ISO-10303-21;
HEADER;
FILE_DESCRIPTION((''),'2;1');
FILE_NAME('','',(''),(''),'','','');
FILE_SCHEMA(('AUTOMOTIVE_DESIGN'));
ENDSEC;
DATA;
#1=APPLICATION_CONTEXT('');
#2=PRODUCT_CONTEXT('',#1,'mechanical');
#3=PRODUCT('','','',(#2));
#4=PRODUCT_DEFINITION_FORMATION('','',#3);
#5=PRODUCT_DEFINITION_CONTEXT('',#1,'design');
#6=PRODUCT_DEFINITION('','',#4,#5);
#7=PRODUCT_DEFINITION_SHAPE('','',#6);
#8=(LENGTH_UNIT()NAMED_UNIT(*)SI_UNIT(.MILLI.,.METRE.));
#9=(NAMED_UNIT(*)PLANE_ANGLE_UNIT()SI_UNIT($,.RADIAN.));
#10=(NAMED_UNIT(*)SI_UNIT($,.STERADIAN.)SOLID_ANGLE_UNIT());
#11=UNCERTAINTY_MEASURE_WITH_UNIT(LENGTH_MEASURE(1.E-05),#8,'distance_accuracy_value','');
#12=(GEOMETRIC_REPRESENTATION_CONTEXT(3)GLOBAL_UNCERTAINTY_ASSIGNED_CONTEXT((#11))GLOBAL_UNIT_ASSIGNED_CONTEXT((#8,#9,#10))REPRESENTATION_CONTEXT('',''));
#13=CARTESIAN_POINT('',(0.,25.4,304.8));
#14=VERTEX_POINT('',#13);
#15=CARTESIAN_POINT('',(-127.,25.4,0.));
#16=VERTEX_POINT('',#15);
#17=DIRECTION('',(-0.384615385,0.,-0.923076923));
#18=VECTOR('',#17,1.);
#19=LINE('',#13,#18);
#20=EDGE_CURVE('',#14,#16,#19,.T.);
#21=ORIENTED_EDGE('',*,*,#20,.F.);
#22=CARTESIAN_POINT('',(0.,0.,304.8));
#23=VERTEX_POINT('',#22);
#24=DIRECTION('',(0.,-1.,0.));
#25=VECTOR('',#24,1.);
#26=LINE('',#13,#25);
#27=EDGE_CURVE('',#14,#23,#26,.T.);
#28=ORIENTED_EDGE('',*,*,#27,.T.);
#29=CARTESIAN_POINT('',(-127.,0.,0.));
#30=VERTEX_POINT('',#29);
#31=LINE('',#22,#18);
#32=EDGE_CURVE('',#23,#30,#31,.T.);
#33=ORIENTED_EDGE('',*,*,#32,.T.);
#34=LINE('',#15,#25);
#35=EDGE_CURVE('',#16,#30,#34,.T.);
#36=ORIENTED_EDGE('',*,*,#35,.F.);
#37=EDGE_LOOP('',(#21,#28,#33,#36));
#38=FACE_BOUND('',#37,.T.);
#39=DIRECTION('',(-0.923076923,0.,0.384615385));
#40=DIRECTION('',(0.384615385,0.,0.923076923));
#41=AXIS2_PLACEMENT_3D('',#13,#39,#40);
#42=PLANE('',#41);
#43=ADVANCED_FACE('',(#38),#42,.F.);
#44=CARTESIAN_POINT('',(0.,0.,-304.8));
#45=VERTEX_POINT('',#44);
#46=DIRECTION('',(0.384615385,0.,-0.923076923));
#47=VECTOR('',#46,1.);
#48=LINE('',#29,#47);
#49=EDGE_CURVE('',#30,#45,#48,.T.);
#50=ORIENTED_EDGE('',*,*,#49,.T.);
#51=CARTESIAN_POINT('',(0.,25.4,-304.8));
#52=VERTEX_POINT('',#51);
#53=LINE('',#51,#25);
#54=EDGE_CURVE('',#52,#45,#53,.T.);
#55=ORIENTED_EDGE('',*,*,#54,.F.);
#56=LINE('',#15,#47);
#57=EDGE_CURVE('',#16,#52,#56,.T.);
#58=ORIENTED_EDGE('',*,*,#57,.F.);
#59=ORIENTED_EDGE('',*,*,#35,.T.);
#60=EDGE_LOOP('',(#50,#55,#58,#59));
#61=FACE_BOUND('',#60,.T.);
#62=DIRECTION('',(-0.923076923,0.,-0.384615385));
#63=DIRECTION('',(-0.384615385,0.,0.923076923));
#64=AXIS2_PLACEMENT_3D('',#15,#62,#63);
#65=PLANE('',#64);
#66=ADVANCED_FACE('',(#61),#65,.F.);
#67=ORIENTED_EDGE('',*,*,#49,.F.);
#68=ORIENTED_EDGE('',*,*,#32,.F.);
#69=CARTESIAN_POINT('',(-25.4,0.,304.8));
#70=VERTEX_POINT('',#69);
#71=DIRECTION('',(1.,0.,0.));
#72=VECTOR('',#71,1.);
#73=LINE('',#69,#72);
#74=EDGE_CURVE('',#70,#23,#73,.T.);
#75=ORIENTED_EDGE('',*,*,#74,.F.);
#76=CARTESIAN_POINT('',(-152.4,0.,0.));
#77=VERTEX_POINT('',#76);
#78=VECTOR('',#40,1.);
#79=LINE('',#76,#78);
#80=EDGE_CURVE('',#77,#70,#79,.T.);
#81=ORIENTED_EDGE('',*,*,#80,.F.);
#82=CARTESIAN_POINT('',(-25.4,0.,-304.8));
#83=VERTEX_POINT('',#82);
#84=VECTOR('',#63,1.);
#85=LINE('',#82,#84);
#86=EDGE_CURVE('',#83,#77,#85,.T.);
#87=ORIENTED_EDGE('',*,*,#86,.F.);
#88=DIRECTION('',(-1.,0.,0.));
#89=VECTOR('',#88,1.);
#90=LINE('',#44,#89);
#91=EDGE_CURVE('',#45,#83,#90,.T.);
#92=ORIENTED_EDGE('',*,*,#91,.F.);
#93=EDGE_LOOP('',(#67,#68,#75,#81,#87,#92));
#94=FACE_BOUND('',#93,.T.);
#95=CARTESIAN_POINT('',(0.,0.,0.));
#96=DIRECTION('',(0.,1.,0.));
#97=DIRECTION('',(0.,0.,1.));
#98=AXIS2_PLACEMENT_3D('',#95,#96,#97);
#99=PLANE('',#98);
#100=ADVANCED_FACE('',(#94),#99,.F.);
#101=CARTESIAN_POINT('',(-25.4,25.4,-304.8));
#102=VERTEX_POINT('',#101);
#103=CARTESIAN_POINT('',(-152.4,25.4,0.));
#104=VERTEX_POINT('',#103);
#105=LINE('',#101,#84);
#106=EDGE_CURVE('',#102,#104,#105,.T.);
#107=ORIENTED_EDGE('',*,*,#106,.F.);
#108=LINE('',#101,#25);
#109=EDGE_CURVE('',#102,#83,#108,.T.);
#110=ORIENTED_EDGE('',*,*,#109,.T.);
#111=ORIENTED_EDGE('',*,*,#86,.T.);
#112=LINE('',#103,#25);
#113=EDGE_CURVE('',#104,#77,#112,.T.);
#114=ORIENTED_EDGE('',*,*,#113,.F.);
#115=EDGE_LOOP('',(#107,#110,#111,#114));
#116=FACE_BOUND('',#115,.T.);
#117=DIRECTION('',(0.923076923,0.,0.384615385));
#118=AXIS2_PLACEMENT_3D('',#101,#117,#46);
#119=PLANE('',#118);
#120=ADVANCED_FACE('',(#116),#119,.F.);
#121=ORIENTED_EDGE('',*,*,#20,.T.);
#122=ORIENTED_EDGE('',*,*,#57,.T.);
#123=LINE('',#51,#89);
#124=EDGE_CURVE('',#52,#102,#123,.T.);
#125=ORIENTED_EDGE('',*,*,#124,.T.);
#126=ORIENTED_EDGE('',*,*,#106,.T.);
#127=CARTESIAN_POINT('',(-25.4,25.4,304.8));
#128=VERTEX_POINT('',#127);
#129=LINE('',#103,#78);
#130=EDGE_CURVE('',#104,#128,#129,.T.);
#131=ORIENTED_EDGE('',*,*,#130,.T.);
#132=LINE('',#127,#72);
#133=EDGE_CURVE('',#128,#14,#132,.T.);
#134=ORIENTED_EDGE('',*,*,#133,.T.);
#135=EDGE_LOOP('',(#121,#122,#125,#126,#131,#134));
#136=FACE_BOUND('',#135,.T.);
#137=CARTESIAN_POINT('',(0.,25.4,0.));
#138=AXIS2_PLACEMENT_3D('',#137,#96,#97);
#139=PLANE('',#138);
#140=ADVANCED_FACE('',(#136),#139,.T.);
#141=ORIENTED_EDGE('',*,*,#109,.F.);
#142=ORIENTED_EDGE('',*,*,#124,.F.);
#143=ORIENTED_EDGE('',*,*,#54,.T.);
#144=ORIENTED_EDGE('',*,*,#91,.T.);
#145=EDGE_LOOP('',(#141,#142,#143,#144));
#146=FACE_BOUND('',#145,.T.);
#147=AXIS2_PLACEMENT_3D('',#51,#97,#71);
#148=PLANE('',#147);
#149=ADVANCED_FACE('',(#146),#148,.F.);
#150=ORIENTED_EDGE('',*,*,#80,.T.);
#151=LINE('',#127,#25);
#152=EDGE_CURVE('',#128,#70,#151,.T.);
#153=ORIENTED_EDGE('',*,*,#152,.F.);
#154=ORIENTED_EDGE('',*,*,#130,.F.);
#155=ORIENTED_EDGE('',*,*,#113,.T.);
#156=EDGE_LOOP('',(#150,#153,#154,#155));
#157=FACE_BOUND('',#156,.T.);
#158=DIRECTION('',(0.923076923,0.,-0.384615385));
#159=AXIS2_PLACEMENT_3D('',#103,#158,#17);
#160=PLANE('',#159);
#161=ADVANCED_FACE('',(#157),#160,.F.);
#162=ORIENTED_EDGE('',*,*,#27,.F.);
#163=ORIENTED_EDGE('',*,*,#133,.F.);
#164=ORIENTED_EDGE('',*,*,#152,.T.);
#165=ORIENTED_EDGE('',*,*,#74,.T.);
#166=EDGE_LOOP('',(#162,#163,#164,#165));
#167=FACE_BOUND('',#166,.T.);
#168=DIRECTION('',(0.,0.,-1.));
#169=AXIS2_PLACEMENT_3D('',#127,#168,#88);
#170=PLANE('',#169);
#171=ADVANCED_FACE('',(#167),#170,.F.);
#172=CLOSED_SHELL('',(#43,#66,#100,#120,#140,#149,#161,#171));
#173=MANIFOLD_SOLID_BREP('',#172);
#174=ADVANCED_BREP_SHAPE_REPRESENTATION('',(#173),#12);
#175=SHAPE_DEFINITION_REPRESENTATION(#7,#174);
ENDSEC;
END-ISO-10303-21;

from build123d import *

# Parameters (mm, degrees)
BOSS_EXTRUDE1_DEPTH = 25.4


with BuildPart() as part:
    # Sketch1 → Boss-Extrude1 (new body)
    with BuildSketch(Plane(origin=(0, 0, 0), x_dir=(1, 0, 0), z_dir=(0, 1, 0))):
        Polygon((0, 304.8), (-25.4, 304.8), (-152.4, 0), (-25.4, -304.8), (0, -304.8), (-127, 0), align=None)
    extrude(amount=BOSS_EXTRUDE1_DEPTH)


solid = part.part
